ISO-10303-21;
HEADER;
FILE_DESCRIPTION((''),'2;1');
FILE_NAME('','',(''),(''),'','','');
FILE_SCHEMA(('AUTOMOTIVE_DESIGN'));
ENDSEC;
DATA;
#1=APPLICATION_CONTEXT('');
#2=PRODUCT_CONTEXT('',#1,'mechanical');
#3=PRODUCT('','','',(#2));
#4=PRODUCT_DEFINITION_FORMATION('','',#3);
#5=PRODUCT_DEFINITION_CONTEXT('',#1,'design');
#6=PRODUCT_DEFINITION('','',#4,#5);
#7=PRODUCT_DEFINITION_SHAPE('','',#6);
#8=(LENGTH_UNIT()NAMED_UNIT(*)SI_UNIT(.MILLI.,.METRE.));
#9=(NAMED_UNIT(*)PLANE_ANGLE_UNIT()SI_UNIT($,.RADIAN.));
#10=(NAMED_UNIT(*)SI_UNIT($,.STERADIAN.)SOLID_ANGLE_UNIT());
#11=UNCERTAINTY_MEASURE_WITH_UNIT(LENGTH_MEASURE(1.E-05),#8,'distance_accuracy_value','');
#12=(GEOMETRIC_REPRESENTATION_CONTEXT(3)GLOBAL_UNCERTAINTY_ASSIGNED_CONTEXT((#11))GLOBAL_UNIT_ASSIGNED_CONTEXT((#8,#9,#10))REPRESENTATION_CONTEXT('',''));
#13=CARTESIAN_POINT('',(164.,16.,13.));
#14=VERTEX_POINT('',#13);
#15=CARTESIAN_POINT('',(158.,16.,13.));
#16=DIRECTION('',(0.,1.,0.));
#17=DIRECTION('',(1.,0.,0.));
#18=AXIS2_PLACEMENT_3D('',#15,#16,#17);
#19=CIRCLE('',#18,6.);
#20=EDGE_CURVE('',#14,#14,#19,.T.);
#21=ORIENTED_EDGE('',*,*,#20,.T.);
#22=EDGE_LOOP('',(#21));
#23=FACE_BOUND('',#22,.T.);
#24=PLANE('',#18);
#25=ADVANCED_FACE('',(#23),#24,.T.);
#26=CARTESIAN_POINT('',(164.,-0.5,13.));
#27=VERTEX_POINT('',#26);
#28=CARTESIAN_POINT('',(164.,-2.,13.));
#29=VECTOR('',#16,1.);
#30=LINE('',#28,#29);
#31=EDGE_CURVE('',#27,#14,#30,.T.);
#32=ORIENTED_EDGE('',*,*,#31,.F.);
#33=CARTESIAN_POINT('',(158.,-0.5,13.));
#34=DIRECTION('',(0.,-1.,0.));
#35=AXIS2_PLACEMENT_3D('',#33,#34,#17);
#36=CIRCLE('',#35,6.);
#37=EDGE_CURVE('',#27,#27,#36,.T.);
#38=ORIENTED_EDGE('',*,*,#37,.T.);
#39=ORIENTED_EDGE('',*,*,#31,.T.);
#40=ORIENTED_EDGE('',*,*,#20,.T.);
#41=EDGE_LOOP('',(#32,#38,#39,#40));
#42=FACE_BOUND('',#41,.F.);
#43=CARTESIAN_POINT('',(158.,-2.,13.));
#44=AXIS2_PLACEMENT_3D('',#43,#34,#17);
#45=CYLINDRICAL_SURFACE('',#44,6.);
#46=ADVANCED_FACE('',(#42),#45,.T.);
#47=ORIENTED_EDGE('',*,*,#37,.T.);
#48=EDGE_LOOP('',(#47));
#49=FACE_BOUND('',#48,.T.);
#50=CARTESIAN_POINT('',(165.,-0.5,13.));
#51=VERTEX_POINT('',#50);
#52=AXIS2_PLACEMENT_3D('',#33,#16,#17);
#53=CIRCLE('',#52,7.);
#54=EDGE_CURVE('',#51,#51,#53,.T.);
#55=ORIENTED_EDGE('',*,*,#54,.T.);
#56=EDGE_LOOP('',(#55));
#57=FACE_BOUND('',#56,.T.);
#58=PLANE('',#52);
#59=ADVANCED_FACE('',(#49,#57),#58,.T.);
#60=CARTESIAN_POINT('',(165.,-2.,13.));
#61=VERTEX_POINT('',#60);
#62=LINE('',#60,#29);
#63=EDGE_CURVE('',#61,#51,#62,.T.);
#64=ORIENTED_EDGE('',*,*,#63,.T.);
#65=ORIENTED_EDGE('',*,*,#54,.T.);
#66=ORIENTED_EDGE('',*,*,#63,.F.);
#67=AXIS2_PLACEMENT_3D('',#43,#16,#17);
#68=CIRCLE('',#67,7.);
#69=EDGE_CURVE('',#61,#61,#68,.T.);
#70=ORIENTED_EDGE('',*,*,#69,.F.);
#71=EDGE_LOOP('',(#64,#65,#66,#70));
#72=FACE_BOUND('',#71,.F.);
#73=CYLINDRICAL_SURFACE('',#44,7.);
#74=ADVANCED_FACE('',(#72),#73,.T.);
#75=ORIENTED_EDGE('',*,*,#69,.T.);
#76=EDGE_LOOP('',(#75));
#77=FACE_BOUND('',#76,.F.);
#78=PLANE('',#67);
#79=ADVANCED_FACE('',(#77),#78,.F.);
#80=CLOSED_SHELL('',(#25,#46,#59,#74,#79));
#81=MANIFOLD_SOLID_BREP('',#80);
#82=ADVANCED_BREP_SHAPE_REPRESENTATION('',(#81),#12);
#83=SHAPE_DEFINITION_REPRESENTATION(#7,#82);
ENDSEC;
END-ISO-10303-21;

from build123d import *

# Parameters (mm, degrees)
CYLINDER006_R             = 7
CYLINDER006_DEPTH         = 1.5
CYLINDER005_R             = 6
CYLINDER005_DEPTH         = 18
FUSION001_PLACEMENT_ANGLE = 270


with BuildPart() as cylinder006:
    # Cylinder006 → Cylinder006 (new body)
    with BuildSketch(Plane.XY):
        Circle(CYLINDER006_R)
    extrude(amount=CYLINDER006_DEPTH)


with BuildPart() as dc_jack001:
    # Cylinder005 → Cylinder005 (new body)
    with BuildSketch(Plane.XY):
        Circle(CYLINDER005_R)
    extrude(amount=CYLINDER005_DEPTH)

    # Fusion001: union Cylinder006
    add(cylinder006.part)


with BuildPart() as dc_jack001_1:
    # Fusion001 placement: moved
    add(dc_jack001.part.moved(Location((158, -2, 13))).rotate(Axis((158, -2, 13), (1, 0, 0)), FUSION001_PLACEMENT_ANGLE))


solid = dc_jack001_1.part
